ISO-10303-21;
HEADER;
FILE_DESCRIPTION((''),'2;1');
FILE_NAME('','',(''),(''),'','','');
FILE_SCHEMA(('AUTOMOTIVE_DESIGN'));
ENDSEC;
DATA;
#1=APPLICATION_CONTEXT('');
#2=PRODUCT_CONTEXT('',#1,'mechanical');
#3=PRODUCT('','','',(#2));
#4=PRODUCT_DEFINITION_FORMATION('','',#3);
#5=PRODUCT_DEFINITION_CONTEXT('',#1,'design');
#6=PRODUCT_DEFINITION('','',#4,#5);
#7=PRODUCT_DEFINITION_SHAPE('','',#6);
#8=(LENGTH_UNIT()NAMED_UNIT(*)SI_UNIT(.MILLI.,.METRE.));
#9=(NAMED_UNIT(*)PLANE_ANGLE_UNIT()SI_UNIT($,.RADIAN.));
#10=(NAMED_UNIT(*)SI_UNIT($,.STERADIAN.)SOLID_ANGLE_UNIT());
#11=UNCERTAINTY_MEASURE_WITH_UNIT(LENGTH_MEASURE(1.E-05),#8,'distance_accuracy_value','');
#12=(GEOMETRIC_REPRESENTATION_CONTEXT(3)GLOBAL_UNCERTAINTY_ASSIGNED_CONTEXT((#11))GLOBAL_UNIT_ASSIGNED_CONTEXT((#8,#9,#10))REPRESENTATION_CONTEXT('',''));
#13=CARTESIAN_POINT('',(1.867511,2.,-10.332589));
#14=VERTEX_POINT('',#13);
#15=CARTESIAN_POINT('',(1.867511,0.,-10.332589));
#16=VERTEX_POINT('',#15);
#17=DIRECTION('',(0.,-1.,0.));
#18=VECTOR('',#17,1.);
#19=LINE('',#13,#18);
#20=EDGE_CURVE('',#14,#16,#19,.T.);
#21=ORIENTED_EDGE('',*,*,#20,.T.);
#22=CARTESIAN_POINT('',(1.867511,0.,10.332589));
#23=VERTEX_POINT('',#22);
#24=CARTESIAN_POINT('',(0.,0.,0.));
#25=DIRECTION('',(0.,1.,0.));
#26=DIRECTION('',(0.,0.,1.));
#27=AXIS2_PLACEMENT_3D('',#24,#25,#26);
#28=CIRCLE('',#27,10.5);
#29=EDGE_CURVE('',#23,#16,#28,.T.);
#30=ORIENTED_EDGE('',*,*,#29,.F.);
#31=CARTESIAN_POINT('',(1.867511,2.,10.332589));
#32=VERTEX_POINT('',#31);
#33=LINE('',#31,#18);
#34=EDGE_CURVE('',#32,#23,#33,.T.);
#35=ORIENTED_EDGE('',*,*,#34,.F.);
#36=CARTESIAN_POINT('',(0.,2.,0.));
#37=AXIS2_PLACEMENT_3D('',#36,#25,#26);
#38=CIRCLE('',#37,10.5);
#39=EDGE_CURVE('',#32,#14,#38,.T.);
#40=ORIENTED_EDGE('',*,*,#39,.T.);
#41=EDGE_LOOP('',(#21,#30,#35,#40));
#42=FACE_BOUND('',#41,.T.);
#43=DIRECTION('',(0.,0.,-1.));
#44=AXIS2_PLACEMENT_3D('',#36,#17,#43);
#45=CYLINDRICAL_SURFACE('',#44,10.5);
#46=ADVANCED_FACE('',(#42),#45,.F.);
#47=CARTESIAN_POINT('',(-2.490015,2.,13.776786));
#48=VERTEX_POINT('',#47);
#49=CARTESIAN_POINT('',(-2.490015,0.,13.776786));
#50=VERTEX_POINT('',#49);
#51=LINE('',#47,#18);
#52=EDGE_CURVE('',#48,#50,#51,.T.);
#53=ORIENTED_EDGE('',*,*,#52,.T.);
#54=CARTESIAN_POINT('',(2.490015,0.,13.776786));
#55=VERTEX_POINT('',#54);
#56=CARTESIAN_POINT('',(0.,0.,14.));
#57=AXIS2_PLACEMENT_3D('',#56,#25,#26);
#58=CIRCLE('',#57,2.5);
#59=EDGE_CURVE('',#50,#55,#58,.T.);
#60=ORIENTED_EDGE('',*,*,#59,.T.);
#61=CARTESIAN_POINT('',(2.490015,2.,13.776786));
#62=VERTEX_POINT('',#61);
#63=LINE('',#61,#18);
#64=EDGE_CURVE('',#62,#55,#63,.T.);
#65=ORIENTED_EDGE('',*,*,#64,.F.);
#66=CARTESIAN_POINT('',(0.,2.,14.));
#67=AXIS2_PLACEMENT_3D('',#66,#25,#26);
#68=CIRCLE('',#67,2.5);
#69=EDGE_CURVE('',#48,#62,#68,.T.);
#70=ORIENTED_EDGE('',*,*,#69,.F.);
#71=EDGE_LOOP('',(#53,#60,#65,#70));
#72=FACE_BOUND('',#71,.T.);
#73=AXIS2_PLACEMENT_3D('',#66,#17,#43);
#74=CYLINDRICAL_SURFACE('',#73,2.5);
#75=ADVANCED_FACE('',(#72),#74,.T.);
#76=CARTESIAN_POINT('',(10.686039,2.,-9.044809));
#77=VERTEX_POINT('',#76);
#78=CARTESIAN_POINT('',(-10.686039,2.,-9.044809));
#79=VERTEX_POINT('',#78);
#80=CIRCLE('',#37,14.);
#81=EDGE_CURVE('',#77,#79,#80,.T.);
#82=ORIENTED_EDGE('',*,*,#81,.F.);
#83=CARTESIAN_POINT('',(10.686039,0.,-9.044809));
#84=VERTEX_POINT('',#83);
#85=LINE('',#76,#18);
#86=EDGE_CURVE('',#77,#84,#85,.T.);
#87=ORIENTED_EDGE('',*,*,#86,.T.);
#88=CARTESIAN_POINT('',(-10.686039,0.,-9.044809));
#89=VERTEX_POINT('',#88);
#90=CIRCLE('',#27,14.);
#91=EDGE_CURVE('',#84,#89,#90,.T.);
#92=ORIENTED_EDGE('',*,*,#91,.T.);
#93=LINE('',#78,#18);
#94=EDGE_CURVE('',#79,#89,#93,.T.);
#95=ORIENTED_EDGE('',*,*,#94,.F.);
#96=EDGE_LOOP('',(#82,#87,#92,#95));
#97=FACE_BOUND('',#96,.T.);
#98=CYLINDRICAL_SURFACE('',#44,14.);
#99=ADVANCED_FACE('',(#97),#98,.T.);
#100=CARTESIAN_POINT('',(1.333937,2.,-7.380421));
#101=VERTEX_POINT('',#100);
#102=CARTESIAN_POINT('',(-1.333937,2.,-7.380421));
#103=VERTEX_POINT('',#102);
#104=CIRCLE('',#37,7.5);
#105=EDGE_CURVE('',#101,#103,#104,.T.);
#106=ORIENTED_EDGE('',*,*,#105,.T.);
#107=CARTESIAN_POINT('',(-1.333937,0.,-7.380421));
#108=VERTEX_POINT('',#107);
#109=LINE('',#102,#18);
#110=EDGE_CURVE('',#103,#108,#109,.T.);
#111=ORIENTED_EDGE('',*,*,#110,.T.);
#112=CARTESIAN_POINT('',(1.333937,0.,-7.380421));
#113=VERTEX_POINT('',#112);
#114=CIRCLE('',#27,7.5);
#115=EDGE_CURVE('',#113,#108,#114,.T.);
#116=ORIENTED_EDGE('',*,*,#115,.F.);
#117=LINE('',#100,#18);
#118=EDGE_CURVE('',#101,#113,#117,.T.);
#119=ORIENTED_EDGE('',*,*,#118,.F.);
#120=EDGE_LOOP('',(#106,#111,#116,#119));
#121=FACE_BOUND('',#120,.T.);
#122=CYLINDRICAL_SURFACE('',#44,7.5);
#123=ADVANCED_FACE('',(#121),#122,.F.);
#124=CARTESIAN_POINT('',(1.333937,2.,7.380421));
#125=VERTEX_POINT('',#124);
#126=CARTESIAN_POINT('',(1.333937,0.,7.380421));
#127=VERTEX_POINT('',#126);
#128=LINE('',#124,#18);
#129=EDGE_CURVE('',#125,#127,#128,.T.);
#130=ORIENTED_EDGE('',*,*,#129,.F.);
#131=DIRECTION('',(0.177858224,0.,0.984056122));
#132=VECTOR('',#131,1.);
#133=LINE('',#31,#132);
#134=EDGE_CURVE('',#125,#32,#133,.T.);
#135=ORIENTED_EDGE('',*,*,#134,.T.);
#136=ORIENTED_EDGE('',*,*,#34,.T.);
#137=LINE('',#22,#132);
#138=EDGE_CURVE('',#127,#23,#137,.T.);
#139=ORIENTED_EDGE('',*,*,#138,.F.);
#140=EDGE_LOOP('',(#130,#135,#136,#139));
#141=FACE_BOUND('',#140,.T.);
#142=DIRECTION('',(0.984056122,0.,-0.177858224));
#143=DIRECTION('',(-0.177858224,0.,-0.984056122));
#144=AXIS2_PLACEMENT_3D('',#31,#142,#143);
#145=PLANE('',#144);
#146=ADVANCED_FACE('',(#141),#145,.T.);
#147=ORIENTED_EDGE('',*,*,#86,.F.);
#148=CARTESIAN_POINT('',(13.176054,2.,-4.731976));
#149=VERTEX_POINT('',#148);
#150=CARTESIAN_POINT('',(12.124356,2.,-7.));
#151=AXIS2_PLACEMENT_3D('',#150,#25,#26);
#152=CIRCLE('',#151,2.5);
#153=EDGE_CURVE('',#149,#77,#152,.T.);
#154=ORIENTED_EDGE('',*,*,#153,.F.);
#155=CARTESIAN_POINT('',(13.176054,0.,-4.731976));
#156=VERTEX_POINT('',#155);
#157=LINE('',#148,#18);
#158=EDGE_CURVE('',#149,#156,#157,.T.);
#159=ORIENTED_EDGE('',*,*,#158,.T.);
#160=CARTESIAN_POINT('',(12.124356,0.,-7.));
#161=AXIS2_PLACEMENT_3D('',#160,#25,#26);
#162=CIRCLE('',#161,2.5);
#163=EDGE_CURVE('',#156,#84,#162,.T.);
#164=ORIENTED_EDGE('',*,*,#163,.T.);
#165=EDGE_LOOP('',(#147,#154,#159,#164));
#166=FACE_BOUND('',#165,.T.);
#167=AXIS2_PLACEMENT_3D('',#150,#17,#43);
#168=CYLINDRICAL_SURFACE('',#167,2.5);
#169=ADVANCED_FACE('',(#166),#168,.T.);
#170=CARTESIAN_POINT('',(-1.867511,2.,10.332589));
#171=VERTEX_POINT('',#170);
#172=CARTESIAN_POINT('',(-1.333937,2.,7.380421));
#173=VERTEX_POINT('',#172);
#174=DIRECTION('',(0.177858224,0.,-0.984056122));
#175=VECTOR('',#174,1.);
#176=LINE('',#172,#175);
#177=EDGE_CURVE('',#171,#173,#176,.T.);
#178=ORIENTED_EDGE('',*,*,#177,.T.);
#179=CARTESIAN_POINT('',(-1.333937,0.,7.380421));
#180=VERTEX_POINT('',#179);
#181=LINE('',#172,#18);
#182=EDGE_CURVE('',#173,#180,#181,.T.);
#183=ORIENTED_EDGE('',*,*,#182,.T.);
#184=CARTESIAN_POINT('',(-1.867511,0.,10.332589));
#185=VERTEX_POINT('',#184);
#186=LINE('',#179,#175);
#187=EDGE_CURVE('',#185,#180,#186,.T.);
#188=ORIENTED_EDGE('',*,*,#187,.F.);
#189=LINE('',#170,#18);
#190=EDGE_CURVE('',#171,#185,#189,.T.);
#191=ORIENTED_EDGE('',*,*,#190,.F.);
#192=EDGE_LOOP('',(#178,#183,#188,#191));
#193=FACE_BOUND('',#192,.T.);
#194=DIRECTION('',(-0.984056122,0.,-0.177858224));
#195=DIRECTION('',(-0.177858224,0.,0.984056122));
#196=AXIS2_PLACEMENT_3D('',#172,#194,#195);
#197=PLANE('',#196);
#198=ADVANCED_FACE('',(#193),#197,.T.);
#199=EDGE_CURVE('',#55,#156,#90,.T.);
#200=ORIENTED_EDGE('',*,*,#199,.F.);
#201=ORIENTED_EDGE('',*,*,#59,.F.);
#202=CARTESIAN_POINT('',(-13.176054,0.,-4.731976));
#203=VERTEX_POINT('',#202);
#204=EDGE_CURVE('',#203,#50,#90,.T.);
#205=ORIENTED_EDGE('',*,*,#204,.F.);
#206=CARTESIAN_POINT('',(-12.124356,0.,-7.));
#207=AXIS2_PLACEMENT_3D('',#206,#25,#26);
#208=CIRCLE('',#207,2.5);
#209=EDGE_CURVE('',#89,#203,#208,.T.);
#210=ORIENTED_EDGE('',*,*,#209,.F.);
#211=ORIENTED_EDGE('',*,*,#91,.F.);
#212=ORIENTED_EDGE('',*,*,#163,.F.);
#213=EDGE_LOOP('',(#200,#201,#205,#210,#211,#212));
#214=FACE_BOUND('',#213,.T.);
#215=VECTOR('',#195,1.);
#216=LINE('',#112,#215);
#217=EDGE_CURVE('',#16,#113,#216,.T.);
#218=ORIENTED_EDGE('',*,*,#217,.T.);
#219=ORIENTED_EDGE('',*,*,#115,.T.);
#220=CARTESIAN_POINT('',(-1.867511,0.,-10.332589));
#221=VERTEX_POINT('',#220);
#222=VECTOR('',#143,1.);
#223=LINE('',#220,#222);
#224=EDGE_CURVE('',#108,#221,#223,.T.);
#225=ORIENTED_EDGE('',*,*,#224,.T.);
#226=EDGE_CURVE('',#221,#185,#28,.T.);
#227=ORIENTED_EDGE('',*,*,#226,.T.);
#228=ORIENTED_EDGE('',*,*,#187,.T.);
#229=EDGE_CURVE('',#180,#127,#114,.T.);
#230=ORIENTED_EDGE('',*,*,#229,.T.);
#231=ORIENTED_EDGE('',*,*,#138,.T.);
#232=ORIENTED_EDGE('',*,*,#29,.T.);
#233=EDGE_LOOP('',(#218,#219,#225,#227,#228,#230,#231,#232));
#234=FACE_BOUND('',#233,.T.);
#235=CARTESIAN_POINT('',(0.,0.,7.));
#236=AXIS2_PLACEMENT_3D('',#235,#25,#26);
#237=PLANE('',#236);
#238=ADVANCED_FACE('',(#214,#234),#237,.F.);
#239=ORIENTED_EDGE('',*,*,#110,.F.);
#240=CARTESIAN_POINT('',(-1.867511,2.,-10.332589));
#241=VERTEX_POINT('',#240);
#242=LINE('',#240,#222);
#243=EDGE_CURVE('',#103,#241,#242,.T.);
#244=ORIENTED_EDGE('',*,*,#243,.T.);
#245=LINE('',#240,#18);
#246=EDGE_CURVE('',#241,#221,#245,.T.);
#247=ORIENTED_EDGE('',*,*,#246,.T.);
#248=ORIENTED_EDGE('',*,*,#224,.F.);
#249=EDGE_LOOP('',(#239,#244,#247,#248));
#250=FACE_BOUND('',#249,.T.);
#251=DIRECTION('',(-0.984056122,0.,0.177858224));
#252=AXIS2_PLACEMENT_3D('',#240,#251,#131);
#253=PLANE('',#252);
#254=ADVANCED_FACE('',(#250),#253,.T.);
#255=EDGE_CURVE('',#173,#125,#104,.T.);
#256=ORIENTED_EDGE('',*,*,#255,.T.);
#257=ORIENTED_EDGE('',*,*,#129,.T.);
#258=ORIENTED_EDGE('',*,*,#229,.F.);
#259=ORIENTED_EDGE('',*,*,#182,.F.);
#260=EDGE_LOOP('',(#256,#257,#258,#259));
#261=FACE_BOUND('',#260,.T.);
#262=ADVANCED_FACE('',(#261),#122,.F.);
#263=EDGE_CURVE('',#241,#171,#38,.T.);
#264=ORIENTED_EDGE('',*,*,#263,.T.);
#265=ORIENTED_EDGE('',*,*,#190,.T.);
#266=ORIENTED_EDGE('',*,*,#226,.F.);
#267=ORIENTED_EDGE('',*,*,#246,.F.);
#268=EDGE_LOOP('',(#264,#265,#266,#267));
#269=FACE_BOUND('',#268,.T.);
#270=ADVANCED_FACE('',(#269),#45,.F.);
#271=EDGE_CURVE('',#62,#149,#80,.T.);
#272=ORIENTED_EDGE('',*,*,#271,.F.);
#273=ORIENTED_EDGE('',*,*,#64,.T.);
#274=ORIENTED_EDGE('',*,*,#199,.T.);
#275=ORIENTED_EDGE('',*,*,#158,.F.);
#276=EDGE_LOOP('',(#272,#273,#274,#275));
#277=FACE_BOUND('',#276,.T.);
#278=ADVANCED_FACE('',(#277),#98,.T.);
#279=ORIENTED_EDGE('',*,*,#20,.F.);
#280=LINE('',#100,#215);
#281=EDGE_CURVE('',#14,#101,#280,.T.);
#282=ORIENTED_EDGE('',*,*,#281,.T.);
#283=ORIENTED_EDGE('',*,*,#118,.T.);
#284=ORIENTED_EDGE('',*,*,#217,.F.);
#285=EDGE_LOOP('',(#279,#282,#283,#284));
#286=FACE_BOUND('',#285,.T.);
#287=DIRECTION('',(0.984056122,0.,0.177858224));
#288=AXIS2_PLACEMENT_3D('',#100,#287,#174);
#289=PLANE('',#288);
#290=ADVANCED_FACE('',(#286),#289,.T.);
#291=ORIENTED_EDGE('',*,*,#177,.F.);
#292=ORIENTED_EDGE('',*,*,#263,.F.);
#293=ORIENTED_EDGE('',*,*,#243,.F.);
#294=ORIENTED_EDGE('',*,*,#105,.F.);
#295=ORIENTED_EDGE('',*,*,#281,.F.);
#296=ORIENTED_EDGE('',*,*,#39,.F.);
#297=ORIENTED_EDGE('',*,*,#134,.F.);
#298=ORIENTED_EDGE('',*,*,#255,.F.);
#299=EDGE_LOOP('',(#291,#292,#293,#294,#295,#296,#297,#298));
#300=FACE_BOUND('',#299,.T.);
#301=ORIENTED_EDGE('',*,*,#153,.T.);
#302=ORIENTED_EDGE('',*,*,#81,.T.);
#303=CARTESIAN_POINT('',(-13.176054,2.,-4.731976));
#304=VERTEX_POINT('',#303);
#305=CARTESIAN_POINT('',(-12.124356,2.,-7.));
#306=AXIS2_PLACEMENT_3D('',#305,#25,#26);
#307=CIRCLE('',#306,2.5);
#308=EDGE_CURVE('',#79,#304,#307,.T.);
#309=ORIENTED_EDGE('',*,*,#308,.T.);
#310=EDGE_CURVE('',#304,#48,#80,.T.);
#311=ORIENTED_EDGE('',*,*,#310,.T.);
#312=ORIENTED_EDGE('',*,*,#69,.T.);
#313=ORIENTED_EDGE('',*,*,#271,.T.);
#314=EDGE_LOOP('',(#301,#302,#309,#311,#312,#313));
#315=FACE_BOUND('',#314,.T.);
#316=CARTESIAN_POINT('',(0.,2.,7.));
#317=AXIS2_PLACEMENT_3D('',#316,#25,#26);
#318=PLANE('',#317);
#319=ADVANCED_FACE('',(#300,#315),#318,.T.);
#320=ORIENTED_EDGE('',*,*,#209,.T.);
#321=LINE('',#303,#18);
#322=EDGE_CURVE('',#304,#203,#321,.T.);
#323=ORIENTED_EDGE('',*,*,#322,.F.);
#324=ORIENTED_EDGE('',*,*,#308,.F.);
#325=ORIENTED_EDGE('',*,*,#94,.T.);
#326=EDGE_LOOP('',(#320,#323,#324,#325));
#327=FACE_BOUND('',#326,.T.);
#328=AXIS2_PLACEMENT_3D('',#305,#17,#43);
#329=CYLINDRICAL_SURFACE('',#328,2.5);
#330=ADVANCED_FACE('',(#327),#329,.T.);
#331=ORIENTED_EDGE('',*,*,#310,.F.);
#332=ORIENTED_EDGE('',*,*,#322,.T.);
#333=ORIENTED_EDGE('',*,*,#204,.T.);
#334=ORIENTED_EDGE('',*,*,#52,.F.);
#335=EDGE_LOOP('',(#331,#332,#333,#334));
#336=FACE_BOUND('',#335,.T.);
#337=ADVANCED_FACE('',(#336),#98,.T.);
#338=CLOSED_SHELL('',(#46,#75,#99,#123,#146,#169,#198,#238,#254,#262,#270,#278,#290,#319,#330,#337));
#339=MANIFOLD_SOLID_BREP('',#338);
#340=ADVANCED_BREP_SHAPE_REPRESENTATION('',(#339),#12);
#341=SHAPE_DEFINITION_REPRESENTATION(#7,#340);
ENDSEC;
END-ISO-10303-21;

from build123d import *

# Parameters (mm, degrees)
SALIENTE_EXTRUIR1_DEPTH = 2


with BuildPart() as part:
    # Croquis1 → Saliente-Extruir1 (new body)
    with BuildSketch(Plane(origin=(0, 0, 0), x_dir=(1, 0, 0), z_dir=(0, 1, 0))):
        with BuildLine():
            ThreePointArc((-13.17605398, 4.731976493), (-12.124355653, -7), (-2.490015137, -13.776785714))
            ThreePointArc((-2.490015137, -13.776785714), (0, -16.5), (2.490015137, -13.776785714))
            ThreePointArc((2.490015137, -13.776785714), (12.124355653, -7), (13.17605398, 4.731976493))
            ThreePointArc((13.17605398, 4.731976493), (14.289419162, 8.25), (10.686038843, 9.044809222))
            ThreePointArc((10.686038843, 9.044809222), (0, 14), (-10.686038843, 9.044809222))
            ThreePointArc((-10.686038843, 9.044809222), (-14.289419162, 8.25), (-13.17605398, 4.731976493))
        make_face()
        with BuildLine():
            Line((1.867511353, -10.332589286), (1.333936681, -7.380420918))
            ThreePointArc((1.333936681, -7.380420918), (0, -7.5), (-1.333936681, -7.380420918))
            Line((-1.333936681, -7.380420918), (-1.867511353, -10.332589286))
            ThreePointArc((-1.867511353, -10.332589286), (-10.5, 0), (-1.867511353, 10.332589286))
            Line((-1.867511353, 10.332589286), (-1.333936681, 7.380420918))
            ThreePointArc((-1.333936681, 7.380420918), (0, 7.5), (1.333936681, 7.380420918))
            Line((1.333936681, 7.380420918), (1.867511353, 10.332589286))
            ThreePointArc((1.867511353, 10.332589286), (10.5, 0), (1.867511353, -10.332589286))
        make_face(mode=Mode.SUBTRACT)
    extrude(amount=SALIENTE_EXTRUIR1_DEPTH)


solid = part.part
